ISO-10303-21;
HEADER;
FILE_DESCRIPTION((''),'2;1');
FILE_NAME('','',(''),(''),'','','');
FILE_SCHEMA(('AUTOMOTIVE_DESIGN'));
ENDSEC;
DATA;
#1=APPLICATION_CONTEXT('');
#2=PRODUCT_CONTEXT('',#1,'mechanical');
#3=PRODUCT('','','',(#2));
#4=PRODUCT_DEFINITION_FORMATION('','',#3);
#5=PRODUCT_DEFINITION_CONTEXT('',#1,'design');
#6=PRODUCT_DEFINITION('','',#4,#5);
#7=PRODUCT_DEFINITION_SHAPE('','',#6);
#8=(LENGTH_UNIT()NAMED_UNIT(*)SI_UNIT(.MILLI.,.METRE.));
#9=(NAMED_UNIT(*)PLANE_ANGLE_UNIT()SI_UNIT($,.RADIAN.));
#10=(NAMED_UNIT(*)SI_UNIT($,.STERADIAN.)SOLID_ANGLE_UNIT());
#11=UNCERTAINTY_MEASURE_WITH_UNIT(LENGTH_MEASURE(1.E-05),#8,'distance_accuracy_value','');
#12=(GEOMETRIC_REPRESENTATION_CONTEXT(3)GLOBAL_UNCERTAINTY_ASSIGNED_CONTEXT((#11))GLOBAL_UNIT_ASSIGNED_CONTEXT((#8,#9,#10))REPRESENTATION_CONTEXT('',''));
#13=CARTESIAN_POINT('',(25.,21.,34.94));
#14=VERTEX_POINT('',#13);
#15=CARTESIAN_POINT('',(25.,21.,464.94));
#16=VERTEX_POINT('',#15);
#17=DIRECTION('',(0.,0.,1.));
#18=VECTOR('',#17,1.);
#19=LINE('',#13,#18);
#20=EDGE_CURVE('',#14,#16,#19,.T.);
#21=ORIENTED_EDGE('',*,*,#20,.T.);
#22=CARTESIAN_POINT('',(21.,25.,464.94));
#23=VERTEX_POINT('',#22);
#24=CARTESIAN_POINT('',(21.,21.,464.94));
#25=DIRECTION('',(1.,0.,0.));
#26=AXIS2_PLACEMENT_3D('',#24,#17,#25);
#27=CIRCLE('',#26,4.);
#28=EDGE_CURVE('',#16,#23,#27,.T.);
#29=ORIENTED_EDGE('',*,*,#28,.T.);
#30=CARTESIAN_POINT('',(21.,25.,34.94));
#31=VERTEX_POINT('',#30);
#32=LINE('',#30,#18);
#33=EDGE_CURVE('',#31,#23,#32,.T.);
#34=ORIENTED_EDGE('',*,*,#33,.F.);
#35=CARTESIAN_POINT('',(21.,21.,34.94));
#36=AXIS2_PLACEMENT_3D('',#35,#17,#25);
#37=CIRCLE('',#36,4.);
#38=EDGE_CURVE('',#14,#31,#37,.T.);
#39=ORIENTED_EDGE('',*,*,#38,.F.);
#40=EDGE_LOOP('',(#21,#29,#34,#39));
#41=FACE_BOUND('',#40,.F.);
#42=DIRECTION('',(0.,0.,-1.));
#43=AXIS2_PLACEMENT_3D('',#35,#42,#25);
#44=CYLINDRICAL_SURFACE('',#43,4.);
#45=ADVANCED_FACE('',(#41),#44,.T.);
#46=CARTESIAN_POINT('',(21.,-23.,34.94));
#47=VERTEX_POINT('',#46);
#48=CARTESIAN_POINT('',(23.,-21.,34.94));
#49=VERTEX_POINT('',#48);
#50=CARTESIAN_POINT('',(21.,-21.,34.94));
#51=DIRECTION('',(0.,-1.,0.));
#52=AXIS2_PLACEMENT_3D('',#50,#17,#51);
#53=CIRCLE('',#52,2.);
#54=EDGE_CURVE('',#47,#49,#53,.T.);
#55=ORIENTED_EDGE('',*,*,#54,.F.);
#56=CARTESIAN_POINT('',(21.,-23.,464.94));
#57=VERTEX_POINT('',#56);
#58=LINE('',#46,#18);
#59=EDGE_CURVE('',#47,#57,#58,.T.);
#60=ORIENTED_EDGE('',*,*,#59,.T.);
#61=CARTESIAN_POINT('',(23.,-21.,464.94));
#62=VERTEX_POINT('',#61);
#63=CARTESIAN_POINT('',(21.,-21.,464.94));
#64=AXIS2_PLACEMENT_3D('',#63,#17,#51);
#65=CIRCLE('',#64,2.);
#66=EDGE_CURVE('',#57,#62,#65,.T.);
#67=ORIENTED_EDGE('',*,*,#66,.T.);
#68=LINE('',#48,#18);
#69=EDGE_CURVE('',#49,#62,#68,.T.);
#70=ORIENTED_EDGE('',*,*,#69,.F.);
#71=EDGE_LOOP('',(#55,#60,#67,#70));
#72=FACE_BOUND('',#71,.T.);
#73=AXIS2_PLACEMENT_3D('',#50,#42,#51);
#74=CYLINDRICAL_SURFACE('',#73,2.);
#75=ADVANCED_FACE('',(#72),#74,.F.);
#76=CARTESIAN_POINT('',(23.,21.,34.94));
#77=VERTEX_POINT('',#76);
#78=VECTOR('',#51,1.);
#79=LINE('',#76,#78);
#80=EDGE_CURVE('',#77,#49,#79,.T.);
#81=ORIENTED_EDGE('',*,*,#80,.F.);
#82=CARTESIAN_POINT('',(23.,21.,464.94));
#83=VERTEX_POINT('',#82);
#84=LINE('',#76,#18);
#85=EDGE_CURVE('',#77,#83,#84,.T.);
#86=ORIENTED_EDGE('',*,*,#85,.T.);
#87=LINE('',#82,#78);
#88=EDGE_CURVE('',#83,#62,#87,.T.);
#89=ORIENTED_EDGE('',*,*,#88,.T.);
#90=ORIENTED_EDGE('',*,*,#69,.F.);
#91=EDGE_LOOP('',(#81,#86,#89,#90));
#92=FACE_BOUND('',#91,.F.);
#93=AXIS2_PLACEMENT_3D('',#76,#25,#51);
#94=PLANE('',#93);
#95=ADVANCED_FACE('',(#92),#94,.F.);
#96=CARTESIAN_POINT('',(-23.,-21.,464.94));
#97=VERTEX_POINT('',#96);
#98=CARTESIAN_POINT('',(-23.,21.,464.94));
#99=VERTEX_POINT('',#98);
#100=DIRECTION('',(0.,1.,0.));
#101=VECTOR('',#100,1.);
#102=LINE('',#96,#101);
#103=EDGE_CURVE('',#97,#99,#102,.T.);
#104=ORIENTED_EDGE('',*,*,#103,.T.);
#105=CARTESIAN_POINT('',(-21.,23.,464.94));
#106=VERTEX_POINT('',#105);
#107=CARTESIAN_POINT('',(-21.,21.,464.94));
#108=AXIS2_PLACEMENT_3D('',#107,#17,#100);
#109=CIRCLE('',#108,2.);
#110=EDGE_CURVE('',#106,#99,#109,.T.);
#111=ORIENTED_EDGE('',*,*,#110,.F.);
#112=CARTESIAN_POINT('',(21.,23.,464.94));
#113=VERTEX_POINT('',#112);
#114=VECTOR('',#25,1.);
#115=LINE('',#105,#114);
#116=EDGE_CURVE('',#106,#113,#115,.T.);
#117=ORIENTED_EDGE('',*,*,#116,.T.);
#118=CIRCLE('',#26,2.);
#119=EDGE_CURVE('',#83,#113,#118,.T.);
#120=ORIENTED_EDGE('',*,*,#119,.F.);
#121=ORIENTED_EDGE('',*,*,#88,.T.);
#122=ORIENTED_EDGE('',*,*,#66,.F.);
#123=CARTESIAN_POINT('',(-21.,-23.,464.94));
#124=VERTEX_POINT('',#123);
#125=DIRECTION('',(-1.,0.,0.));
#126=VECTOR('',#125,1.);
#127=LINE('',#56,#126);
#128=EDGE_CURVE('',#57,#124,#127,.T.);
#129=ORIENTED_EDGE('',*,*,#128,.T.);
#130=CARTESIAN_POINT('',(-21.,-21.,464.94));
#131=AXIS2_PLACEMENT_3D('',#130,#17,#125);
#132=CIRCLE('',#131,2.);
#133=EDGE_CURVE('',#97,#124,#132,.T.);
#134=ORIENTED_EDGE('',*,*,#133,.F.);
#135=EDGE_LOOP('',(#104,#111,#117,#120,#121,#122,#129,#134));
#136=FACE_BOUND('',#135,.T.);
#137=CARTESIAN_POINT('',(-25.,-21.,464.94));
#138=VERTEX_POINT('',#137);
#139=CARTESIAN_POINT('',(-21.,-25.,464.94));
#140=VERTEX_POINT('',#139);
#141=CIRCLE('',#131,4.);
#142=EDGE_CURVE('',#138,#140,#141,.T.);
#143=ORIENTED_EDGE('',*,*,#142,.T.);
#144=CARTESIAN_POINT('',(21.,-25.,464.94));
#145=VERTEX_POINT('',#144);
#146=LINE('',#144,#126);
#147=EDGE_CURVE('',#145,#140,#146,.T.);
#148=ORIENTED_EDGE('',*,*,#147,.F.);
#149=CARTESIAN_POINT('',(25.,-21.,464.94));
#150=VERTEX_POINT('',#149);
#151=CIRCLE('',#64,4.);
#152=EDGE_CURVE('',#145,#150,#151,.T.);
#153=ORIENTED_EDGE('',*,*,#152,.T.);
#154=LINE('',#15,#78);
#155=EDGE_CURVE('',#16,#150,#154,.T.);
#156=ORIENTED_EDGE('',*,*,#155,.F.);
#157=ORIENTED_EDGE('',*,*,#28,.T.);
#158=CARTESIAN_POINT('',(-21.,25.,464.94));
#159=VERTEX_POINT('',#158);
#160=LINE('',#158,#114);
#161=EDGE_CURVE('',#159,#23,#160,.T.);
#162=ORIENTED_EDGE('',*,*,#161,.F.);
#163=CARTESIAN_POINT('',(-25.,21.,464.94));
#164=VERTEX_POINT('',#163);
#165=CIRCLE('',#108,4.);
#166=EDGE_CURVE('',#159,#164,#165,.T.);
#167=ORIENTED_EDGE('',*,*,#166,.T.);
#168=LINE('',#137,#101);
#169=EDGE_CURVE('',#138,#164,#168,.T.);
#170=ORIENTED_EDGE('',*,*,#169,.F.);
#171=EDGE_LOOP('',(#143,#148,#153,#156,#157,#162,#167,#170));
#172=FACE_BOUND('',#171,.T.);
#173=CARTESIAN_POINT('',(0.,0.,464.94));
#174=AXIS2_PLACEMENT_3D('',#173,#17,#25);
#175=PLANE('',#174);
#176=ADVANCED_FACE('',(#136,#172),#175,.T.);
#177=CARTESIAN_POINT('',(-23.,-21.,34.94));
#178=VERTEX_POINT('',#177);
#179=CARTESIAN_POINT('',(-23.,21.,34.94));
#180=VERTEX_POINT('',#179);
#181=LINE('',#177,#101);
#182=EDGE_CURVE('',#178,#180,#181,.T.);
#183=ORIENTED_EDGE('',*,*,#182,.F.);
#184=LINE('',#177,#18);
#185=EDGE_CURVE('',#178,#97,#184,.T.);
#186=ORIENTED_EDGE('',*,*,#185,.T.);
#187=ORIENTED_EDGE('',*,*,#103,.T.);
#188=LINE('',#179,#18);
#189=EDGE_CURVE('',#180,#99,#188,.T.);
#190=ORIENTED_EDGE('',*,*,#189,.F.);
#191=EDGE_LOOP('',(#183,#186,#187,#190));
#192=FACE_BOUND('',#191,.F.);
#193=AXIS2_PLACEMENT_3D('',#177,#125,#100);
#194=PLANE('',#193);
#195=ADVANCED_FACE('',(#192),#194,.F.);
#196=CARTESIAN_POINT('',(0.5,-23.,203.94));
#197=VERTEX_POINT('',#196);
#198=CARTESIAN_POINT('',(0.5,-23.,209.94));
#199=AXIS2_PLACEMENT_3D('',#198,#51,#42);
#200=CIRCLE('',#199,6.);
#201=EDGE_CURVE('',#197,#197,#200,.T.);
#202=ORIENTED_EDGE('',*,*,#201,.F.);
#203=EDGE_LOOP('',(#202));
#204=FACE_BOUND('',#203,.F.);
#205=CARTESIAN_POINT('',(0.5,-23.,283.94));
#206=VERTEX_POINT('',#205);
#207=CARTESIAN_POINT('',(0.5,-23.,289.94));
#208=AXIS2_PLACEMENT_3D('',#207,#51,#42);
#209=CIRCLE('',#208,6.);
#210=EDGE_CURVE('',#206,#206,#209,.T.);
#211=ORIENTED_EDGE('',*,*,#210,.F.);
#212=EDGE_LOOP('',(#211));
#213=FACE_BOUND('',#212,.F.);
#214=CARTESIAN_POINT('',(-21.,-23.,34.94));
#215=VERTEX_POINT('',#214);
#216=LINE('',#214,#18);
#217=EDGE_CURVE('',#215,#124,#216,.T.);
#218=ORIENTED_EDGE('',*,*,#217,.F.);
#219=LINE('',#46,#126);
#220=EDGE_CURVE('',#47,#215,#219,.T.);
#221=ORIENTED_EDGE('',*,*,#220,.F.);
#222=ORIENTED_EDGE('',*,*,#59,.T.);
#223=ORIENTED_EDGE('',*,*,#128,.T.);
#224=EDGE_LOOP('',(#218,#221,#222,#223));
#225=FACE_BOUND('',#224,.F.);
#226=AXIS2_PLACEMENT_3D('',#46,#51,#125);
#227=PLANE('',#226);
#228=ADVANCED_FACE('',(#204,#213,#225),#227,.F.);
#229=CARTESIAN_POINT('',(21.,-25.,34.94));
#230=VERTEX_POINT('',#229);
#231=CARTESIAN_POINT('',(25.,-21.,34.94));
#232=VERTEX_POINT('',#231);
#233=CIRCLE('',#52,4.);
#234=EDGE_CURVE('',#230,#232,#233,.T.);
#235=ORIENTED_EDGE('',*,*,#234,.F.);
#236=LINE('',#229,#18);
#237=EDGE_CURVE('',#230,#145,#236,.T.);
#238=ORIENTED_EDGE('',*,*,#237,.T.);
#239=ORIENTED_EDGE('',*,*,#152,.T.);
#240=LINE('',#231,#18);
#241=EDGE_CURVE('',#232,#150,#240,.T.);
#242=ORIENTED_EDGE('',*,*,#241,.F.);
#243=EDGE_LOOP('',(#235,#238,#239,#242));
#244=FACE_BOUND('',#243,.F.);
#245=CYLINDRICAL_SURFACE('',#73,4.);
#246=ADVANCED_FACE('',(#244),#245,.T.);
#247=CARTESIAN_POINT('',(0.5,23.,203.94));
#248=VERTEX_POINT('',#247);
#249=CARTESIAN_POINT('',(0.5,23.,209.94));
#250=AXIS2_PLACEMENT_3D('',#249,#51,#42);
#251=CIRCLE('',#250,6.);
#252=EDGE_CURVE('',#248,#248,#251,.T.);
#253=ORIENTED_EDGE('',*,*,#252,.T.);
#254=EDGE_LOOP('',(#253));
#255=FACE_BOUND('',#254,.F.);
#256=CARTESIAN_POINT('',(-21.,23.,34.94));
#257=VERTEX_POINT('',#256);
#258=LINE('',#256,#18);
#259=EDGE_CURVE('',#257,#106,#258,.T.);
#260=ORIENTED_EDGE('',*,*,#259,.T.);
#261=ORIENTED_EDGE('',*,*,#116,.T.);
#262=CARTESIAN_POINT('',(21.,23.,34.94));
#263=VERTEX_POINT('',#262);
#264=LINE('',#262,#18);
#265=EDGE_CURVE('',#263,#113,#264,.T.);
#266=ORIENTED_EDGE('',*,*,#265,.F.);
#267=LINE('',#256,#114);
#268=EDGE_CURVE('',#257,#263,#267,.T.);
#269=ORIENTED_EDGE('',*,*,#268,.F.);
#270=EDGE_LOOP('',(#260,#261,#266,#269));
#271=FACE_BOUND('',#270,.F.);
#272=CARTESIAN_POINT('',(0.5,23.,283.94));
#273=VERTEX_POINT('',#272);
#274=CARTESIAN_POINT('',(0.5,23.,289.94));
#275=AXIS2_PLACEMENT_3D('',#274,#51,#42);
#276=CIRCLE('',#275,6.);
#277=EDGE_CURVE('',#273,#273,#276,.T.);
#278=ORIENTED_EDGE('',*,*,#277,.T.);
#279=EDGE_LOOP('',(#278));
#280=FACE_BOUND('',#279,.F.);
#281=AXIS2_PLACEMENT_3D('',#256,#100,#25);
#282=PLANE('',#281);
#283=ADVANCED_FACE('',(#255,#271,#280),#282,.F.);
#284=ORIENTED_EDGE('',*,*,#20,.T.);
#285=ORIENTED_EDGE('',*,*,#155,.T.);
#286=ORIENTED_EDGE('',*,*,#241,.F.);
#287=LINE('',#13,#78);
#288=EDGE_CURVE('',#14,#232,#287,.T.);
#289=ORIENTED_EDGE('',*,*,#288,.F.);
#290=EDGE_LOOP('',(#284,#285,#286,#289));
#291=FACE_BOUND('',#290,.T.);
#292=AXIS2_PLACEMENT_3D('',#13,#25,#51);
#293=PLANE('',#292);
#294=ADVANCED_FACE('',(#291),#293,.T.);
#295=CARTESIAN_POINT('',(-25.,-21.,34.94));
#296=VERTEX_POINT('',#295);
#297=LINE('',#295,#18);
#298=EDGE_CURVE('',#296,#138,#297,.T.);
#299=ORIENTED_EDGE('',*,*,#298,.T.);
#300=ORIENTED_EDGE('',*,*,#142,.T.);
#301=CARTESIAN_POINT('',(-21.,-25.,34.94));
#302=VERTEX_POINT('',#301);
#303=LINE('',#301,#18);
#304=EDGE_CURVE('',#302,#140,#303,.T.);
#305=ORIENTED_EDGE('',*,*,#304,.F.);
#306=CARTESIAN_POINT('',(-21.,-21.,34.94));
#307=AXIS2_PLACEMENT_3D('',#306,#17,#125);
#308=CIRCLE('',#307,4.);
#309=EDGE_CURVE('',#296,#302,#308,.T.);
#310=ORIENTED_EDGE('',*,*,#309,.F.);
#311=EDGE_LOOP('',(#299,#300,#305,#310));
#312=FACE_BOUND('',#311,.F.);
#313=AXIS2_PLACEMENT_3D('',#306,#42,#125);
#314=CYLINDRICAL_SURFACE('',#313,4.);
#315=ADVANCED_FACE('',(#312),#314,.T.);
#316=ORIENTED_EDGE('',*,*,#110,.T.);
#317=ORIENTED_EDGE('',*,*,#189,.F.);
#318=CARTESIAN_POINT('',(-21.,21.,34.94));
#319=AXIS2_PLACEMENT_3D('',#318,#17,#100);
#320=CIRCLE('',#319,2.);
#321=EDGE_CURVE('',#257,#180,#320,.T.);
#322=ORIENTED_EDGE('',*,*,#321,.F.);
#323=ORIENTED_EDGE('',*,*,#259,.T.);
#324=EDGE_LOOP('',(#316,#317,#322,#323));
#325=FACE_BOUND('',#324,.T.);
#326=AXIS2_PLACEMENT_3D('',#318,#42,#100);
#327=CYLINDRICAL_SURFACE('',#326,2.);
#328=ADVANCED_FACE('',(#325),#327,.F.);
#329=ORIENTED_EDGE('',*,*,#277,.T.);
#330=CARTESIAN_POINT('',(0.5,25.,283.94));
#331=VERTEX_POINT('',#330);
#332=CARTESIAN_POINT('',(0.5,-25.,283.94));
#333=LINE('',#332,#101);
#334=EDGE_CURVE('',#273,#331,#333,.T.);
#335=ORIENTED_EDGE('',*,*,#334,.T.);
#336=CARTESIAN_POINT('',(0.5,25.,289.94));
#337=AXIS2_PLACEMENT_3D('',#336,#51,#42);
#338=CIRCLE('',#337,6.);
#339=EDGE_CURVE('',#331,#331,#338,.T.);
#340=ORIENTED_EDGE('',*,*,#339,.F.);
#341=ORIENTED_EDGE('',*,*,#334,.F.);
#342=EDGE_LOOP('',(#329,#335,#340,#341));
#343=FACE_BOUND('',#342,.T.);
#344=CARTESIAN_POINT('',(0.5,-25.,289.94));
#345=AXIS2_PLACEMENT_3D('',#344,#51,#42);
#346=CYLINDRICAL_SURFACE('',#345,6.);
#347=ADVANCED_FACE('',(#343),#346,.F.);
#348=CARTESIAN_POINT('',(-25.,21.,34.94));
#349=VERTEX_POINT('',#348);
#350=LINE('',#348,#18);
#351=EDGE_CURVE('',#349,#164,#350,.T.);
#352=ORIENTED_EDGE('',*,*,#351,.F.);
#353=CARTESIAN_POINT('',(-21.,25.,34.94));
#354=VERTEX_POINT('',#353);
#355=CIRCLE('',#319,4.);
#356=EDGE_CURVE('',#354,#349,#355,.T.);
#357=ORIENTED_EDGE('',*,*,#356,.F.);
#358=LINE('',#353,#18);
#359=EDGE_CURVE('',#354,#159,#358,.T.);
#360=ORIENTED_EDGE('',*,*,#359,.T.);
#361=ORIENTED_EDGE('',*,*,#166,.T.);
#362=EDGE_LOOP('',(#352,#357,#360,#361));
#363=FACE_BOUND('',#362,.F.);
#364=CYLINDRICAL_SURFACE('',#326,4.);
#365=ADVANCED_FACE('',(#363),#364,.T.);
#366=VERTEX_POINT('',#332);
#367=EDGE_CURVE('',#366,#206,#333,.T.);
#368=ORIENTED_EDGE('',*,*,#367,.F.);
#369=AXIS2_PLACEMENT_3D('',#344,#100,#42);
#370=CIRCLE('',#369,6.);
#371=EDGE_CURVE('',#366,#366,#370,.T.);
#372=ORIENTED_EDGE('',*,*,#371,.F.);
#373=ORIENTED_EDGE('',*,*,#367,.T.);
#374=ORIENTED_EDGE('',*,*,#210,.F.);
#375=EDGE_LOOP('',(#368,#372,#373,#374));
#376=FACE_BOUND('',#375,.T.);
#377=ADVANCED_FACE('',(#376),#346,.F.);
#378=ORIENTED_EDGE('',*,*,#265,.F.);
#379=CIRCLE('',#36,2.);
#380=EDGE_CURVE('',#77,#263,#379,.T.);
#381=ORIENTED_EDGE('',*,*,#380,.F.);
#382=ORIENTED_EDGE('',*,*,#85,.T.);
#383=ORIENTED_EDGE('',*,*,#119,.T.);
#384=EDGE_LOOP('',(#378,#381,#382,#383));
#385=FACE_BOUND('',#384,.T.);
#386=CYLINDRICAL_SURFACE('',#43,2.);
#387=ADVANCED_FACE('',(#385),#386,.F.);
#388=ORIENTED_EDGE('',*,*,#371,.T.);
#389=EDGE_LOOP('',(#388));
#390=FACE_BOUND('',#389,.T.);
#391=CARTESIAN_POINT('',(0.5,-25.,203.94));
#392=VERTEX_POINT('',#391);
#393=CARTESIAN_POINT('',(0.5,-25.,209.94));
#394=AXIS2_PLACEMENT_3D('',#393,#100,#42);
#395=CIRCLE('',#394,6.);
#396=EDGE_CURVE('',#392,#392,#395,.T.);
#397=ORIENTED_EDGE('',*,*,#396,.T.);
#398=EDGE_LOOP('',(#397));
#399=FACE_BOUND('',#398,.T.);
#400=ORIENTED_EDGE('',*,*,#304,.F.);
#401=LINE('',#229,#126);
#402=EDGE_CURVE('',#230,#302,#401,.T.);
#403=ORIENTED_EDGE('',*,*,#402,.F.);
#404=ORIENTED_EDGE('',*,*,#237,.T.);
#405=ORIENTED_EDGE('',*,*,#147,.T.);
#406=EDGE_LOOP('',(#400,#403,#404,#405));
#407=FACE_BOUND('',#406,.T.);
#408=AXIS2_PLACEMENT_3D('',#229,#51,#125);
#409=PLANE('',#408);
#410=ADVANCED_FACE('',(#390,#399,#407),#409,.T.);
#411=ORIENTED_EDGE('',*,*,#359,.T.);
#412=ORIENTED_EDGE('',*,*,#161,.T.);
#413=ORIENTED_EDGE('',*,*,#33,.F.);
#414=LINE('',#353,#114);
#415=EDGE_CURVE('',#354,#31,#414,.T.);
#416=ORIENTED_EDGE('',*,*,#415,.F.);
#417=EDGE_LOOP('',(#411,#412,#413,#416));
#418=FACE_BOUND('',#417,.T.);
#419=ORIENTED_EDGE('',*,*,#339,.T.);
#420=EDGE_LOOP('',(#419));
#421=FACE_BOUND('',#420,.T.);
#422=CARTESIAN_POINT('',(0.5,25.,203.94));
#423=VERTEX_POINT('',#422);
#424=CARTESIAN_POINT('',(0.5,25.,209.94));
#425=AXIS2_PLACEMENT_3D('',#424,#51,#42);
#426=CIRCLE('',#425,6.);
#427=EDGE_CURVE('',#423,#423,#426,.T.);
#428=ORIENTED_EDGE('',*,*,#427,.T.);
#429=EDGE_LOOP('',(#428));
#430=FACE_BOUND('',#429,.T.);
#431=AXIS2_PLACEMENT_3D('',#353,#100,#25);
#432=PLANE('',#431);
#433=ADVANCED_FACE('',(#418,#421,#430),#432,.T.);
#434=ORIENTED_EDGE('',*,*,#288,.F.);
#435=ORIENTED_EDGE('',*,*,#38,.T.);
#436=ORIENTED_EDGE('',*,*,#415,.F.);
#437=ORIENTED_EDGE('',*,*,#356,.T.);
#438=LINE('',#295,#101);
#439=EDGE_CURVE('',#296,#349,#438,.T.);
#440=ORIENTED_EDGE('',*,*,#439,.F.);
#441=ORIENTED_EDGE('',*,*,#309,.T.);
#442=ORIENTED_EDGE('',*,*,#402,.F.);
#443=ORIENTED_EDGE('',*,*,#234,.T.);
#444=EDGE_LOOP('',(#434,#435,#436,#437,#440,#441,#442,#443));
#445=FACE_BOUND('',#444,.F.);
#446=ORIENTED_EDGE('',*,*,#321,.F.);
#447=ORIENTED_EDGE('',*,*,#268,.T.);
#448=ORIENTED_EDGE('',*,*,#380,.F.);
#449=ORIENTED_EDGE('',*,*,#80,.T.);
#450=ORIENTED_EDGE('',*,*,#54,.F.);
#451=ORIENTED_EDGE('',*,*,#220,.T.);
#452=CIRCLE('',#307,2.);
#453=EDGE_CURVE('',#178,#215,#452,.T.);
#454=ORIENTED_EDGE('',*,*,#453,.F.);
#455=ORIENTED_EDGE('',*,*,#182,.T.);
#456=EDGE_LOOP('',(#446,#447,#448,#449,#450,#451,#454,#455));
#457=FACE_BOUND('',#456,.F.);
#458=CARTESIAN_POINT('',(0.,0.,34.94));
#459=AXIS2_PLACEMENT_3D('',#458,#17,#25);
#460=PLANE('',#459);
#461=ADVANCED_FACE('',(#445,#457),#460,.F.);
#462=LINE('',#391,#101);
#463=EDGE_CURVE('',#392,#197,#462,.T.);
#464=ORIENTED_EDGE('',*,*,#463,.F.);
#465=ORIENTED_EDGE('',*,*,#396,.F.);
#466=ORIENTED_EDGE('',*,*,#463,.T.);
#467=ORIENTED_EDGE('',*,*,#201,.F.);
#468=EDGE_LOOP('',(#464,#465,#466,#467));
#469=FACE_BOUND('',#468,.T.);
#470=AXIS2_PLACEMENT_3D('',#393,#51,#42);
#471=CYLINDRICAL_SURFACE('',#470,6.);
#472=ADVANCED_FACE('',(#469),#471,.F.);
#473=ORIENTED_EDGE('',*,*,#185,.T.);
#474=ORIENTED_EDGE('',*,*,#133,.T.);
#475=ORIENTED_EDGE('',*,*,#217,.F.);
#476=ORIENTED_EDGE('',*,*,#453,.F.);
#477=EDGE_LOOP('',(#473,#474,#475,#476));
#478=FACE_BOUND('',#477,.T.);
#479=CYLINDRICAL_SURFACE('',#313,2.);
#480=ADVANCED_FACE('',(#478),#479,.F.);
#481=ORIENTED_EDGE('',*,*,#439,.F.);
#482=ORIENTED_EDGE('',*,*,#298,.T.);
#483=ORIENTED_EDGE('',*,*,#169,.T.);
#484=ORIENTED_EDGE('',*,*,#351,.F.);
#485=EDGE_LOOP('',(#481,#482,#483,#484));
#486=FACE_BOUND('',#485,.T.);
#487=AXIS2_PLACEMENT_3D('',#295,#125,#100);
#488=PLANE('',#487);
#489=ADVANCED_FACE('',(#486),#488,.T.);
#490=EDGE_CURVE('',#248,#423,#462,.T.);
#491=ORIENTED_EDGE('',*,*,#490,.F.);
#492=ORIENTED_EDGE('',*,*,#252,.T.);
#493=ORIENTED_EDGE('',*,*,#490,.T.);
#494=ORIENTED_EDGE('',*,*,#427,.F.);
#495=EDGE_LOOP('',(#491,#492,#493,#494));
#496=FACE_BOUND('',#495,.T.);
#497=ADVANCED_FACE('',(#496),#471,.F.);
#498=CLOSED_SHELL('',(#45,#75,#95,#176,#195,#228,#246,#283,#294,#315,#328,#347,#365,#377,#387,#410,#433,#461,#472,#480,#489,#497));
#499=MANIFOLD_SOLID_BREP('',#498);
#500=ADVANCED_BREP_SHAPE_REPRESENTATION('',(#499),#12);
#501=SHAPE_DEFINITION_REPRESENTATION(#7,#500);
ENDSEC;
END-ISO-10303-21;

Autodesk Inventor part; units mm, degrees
ref_plane "Start Plane" through (0, 0, 34.94) normal (0, 0, 1) x (1, 0, 0)
ref_plane "End Plane" through (0, 0, 464.94) normal (0, 0, 1) x (1, 0, 0)
sketch "Sketch" plane through (0, 0, 0) normal (0, 0, 1) x (1, 0, 0)
  line L0 (-25, -21) -> (-25, 21)
  line L1 (-21, 25) -> (21, 25)
  line L2 (25, 21) -> (25, -21)
  line L3 (21, -25) -> (-21, -25)
  arc A0 (-25, -21) -> (-21, -25) centre (-21, -21) ccw
  arc A1 (25, 21) -> (21, 25) centre (21, 21) ccw
  arc A2 (-21, 25) -> (-25, 21) centre (-21, 21) ccw
  arc A3 (21, -25) -> (25, -21) centre (21, -21) ccw
  arc A4 (-21, 23) -> (-23, 21) centre (-21, 21) ccw
  line L4 (-21, 23) -> (21, 23)
  arc A5 (23, 21) -> (21, 23) centre (21, 21) ccw
  line L5 (23, 21) -> (23, -21)
  arc A6 (21, -23) -> (23, -21) centre (21, -21) ccw
  line L6 (21, -23) -> (-21, -23)
  arc A7 (-23, -21) -> (-21, -23) centre (-21, -21) ccw
  line L7 (-23, -21) -> (-23, 21)
  line L8 (0, 36.1598) -> (0, -36.1598) construction
  line L9 (-36.1598, 0) -> (36.1598, 0) construction
  dimension "d7" = 4
  dimension "d9" = 50
  dimension "d11" = 50
  dimension "d12" = 2
  dimension "d15" = 25
  dimension "d16" = 25
extrude "Body" add sketch "Sketch" along normal up to surface (430 mm away) from surface at 34.94
sketch "Sketch3" plane through (0, 0, 0) normal (0, 0, 1) x (1, 0, 0)
  line L0 (0, 0) -> (10, 0)
ref_plane "Work Plane3" through (0, 0, 0) normal (0, -1, 0) x (1, 0, 0)
sketch "Sketch4" plane through (0, 0, 0) normal (0, -1, 0) x (1, 0, 0)
  line L0 (-2, 34.94) -> (12, 34.94)
  line L1 (-2, 464.94) -> (12, 464.94)
  dimension "d18" = 430
ref_plane "Work Plane4" through (1270, 29, 34.94) normal (0, 0, -1) x (-1, 0, 0)
split "Split1" plane through (1270, 29, 34.94) removes the side toward (0, 0, -1)
ref_plane "Work Plane5" through (-1040, 29, 464.94) normal (0, 0, 1) x (1, 0, 0)
split "Split2" plane through (-1040, 29, 464.94) removes the side toward (0, 0, 1)
ref_plane "Work Plane7" through (115.5, -25, 249.94) normal (0, 1, 0) x (0, 0, -1)
sketch "Sketch5" plane through (115.5, -25, 249.94) normal (0, 1, 0) x (0, 0, -1)
  circle A0 centre (40, 115) radius 6 projected
  circle A1 centre (-40, 115) radius 6 projected
  point P0 (249.94, 115.5)
extrude "Extrusion2" cut sketch "Sketch5" along normal through all
equation "\"d7\" = G_IR"
equation "\"d9\" = G_W"
equation "\"d11\" = G_H"
equation "\"d12\" = G_T"
equation "\"d15\" = 0.5 * d9"
equation "\"d16\" = 0.5 * d11"
equation "\"d3\" = G_L"
equation "\"G_W\" = 50"
equation "\"G_H\" = 50"
equation "\"G_T\" = 2"
equation "\"G_IR\" = 4"
equation "\"G_L\" = d18"
equation "\"G_OFFSET_START\" = -34.94003"
equation "\"G_OFFSET_END\" = -35.05997"
equation "\"d13\" = -G_OFFSET_START"
equation "\"d14\" = G_OFFSET_END + B_L"
equation "\"B_L\" = 500"
properties part number "ISO 10799-2 - 50x50x2 - 430" material "Steel, Galvanized"
